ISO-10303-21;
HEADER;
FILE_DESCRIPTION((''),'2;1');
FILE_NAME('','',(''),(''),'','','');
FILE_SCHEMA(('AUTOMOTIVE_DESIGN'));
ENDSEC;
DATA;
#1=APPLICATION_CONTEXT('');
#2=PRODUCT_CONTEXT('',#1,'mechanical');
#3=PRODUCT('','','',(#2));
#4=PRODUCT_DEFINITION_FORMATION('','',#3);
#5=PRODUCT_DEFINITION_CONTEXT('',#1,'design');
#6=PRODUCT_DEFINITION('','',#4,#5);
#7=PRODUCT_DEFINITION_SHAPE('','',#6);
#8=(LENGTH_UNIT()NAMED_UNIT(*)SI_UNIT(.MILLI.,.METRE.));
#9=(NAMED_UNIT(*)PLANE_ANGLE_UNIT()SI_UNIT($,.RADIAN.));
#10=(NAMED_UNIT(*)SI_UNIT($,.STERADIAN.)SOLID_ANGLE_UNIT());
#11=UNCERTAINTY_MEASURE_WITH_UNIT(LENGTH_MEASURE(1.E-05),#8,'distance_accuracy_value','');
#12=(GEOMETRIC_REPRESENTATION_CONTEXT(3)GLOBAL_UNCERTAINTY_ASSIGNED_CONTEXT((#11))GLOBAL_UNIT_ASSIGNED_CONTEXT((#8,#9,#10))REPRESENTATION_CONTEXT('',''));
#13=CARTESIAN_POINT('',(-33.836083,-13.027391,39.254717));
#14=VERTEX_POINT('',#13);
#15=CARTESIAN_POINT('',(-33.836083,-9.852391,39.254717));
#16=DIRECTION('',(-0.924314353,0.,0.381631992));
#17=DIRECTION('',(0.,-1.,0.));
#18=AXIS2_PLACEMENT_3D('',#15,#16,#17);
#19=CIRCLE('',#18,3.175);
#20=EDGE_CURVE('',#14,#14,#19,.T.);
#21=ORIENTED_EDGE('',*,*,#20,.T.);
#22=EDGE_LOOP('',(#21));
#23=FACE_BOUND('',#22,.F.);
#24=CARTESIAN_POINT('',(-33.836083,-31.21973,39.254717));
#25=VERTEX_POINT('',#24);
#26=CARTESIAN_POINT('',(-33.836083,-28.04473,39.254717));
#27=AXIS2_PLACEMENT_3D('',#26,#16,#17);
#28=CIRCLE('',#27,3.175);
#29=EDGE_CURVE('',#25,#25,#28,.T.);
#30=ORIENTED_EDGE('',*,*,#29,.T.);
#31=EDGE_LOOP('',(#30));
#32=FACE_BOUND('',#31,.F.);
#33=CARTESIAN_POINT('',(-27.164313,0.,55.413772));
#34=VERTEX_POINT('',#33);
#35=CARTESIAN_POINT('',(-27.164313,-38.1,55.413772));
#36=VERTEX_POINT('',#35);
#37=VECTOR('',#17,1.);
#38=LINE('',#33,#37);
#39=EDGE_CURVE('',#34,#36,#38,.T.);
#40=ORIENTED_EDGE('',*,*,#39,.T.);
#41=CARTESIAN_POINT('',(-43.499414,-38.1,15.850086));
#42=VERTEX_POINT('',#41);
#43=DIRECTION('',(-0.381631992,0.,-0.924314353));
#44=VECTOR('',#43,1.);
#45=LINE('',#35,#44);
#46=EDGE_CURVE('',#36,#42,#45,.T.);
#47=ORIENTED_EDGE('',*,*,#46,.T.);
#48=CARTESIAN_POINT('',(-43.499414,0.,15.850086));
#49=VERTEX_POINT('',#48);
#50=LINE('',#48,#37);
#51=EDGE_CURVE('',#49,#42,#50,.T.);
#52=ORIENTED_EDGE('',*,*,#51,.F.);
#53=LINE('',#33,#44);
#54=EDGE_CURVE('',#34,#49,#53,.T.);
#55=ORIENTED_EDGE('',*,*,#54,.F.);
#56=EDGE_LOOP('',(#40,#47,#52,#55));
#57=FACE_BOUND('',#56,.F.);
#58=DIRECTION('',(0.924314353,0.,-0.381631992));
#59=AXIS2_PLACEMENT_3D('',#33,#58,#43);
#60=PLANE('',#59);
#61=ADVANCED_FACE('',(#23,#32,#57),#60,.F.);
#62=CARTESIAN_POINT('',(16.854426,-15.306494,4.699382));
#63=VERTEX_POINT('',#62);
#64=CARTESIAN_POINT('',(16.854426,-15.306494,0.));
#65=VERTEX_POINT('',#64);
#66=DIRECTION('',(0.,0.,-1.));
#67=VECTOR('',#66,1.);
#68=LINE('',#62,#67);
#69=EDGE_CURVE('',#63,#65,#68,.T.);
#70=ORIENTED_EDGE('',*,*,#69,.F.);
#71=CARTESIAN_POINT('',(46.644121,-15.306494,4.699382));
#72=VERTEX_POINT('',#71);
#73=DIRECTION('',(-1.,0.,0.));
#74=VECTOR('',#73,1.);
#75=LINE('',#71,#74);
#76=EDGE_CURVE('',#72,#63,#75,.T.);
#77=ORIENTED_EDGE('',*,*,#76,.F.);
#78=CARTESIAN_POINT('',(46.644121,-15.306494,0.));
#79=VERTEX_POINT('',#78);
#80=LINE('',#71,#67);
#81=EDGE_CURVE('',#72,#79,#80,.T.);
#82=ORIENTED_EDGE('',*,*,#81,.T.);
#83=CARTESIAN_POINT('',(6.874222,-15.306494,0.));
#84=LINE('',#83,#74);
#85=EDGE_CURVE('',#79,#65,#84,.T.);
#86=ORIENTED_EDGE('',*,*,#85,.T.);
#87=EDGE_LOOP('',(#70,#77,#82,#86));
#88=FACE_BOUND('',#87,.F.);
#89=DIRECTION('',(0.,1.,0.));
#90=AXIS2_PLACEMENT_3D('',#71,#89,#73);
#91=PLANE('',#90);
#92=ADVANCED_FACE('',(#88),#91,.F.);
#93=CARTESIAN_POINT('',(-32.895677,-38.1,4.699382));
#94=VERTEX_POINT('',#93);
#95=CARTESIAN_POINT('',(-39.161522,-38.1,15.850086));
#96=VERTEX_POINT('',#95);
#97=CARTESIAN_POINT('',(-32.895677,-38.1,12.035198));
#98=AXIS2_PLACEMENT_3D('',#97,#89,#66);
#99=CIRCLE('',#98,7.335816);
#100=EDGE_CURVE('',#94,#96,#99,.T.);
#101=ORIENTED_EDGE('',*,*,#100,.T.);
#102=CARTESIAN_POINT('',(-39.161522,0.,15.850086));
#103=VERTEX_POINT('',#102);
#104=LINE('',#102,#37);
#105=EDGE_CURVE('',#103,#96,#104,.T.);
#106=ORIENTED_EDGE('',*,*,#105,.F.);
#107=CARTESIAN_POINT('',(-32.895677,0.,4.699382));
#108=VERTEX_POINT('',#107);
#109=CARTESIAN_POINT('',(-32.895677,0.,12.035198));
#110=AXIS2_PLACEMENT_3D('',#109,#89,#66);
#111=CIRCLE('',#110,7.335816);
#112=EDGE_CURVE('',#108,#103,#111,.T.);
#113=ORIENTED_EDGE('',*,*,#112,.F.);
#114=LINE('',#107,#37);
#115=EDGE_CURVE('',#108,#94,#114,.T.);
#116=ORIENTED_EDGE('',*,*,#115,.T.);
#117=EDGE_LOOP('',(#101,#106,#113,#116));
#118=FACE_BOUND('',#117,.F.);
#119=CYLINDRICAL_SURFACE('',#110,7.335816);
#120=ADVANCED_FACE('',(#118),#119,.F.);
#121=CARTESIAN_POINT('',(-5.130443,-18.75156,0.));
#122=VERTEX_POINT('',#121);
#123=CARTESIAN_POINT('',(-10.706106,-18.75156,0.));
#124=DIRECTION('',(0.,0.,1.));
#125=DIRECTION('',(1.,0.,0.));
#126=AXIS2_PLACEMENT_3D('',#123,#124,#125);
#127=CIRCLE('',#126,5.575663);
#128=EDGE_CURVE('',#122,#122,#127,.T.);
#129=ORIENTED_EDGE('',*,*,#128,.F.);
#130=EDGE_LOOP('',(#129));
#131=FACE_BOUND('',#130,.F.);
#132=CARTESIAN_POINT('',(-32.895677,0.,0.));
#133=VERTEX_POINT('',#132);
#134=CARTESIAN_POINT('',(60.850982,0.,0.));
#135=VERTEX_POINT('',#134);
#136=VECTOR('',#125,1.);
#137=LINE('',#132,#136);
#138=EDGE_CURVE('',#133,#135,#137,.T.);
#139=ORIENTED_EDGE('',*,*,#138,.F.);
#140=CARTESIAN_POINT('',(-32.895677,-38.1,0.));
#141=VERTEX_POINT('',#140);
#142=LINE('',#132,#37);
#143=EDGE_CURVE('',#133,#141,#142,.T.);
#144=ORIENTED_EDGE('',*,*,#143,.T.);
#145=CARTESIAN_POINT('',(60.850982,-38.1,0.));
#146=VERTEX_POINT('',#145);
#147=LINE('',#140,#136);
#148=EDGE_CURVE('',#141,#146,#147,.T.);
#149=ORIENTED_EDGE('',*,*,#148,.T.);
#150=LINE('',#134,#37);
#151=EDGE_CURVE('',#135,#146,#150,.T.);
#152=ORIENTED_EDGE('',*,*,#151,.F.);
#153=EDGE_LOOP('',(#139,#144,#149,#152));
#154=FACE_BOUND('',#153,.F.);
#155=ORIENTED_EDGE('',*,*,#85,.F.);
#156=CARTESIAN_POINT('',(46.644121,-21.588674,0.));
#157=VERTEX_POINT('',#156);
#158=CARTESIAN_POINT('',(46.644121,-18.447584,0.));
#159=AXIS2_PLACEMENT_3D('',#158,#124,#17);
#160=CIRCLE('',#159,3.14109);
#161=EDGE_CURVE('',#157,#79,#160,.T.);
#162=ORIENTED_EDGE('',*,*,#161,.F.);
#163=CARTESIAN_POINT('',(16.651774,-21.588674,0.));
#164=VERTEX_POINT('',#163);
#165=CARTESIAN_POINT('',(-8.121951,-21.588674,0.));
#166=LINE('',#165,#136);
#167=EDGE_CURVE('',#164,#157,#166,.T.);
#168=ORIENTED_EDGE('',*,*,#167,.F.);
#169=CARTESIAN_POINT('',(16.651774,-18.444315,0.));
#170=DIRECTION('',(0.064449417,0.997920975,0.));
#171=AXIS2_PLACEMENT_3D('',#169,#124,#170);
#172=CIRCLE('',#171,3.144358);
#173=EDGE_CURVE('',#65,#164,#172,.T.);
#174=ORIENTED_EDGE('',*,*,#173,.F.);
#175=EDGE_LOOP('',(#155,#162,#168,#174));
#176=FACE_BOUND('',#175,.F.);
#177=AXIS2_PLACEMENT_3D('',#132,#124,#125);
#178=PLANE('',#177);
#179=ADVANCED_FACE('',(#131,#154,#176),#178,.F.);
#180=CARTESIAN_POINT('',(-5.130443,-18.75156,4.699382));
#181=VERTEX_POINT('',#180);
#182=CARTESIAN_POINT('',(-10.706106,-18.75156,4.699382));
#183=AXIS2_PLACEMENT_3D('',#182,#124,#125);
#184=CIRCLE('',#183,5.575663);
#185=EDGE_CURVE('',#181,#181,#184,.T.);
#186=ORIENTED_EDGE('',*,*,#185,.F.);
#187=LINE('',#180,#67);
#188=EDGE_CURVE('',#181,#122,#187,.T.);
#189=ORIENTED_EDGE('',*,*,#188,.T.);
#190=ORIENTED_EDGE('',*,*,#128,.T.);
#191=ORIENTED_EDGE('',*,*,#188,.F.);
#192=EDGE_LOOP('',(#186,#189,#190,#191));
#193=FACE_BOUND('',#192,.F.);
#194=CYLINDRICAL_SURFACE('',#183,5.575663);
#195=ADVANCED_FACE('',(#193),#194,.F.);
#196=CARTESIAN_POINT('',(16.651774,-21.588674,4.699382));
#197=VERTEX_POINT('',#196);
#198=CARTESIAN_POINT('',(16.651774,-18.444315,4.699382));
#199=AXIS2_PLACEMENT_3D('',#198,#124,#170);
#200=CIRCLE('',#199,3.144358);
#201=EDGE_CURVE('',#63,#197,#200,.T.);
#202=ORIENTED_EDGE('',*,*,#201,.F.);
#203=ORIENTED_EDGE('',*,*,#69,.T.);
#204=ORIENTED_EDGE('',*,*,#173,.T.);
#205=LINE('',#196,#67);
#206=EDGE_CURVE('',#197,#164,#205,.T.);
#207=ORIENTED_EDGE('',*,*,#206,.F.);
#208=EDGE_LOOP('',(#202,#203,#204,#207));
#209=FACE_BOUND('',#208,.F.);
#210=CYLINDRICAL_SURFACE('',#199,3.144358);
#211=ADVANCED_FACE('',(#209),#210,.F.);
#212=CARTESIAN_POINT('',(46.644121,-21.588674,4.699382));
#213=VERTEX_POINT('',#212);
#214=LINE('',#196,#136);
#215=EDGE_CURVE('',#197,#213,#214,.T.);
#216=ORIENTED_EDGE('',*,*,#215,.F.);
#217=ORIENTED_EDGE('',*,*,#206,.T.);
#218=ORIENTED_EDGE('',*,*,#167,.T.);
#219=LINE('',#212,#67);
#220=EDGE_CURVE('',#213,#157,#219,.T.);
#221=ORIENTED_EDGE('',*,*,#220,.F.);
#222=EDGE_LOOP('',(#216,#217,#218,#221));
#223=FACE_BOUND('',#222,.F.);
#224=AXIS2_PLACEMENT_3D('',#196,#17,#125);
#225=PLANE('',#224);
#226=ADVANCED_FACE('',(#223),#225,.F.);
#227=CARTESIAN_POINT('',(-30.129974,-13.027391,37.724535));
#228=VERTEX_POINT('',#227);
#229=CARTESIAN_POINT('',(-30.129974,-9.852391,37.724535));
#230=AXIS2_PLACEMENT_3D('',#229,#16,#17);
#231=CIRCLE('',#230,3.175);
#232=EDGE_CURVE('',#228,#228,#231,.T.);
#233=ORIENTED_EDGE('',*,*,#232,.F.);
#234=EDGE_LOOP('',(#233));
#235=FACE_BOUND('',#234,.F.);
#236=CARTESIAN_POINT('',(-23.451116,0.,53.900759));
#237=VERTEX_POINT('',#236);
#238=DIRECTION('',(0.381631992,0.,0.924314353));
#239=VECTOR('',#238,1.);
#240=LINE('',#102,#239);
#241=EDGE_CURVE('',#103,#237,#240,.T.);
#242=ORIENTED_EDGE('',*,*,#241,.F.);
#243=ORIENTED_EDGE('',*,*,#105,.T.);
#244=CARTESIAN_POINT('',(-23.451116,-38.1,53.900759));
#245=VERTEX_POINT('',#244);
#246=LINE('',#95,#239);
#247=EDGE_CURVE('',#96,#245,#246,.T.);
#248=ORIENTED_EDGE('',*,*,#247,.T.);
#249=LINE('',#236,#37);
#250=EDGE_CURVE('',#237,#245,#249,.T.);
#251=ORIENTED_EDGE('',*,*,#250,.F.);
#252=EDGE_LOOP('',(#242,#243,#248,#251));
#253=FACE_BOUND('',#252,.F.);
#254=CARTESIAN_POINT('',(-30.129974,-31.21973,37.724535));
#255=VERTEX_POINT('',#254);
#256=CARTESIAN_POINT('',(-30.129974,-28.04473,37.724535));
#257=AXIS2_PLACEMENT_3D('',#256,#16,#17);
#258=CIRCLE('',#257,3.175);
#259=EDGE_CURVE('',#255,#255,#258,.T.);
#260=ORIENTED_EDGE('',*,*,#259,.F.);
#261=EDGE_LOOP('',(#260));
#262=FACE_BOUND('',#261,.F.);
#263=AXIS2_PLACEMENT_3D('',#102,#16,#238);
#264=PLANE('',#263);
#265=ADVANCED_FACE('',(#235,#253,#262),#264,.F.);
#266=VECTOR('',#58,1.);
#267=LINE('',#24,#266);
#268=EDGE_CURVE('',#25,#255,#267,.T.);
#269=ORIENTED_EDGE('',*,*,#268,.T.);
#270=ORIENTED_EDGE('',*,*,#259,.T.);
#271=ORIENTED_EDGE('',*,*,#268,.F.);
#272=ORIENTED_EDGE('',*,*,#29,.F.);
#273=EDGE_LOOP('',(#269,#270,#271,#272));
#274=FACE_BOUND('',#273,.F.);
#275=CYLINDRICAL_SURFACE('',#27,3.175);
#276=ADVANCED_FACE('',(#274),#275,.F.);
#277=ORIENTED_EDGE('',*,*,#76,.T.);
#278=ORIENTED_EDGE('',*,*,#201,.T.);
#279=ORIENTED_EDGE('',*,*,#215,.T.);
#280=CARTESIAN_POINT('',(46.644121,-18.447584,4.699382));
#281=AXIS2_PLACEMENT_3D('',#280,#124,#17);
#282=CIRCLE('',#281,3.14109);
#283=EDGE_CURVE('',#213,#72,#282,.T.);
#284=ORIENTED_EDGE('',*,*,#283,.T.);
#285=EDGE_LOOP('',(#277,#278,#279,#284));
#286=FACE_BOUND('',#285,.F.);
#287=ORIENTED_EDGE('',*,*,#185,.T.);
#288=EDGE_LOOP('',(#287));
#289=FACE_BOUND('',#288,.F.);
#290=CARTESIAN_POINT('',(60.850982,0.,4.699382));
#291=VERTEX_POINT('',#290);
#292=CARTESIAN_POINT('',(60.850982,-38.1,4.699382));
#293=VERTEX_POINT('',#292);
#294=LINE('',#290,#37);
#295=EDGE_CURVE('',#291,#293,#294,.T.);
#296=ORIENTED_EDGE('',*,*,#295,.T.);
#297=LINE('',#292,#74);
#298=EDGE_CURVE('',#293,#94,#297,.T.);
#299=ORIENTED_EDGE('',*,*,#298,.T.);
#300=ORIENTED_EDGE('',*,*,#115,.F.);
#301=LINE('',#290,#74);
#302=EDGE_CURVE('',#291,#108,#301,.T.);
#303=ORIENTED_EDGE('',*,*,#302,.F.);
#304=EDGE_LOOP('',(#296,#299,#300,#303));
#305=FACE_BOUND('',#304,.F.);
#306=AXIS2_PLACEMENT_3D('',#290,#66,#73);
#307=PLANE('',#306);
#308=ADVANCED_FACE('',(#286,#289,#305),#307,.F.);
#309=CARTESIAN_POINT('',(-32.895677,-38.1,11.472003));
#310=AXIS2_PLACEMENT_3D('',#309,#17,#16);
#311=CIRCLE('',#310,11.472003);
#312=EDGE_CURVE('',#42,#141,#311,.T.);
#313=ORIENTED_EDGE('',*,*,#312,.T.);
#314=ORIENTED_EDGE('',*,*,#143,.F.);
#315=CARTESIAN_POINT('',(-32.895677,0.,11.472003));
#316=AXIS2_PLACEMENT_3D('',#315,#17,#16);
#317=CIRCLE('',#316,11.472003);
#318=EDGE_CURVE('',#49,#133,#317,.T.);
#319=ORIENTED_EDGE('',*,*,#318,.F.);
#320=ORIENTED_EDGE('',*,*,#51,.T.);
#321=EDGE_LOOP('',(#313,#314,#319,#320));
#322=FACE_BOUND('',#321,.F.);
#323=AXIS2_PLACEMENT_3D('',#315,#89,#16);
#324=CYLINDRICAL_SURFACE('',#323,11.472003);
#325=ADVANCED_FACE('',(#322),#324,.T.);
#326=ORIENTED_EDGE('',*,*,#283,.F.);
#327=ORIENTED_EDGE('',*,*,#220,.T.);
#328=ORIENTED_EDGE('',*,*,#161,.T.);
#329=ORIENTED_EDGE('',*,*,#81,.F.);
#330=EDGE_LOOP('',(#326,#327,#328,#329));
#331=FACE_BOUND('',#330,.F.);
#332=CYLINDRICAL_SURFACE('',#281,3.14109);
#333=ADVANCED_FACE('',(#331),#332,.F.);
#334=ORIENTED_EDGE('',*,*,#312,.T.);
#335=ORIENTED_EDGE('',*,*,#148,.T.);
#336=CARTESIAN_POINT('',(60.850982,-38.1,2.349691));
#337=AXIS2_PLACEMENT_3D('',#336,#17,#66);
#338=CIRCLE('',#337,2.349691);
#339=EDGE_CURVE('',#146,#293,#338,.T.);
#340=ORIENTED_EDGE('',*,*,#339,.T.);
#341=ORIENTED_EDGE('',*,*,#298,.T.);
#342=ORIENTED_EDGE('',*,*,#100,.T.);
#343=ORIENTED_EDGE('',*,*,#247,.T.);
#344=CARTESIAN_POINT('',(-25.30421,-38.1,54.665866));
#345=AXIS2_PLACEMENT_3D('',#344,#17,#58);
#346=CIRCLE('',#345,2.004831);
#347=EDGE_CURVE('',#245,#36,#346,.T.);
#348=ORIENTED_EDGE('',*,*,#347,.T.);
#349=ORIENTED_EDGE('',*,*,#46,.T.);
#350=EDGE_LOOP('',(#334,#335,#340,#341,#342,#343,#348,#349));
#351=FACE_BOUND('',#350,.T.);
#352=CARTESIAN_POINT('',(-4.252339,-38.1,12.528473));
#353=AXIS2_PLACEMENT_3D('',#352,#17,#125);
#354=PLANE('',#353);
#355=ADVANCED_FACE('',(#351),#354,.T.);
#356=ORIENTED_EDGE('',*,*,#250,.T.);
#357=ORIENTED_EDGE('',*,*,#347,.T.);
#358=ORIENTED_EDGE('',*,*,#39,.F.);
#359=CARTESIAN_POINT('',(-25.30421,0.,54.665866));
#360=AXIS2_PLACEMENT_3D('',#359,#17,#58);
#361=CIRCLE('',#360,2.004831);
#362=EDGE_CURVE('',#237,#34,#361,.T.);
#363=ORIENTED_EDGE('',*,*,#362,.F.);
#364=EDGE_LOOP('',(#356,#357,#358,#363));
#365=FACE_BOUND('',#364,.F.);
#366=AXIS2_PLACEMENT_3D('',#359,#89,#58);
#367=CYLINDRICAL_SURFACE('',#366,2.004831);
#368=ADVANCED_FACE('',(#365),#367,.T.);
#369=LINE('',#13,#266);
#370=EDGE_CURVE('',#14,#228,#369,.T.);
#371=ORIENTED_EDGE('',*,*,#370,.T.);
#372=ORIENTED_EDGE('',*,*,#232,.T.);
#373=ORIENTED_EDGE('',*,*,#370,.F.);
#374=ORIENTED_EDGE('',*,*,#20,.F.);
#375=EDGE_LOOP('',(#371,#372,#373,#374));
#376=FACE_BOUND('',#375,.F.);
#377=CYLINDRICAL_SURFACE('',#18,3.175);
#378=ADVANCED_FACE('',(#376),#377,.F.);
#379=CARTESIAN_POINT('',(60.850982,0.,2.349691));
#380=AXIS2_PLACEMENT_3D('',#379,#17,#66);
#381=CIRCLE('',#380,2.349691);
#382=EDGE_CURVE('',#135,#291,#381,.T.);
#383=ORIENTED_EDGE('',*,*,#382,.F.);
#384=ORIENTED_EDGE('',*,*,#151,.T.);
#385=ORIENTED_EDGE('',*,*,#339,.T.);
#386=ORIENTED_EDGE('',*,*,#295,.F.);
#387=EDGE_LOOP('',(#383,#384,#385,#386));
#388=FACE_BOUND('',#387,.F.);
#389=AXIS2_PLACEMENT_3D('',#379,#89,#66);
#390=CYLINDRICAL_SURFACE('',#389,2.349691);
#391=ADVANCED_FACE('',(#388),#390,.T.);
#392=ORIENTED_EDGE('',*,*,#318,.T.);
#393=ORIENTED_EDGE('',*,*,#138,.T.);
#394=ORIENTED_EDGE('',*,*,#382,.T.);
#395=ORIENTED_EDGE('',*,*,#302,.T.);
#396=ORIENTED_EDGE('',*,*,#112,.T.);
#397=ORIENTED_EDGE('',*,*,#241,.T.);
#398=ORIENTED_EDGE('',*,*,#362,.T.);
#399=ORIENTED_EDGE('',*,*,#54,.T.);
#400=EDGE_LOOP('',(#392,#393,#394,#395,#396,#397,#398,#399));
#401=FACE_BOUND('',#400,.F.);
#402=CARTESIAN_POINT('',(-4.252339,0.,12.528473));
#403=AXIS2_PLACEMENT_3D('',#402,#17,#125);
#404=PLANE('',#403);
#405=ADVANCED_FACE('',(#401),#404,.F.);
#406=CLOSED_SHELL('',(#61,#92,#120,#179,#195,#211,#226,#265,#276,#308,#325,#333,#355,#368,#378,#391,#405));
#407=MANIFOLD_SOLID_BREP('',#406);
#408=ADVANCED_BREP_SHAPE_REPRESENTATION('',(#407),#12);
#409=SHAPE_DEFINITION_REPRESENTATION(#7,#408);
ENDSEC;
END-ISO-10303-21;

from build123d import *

# Parameters (mm, degrees)
F1_DEPTH = 38.1
F2_R     = 5.5756630796
F3_DEPTH = 25.4
F4_R     = 3.175
F5_DEPTH = 25.4


with BuildPart() as f1:
    # F0 (on Front) → F1 (new body)
    with BuildSketch(Plane.XZ):
        with BuildLine():
            Line((-32.8956767917, 0), (60.8509816229, 0))
            ThreePointArc((60.8509816229, 0), (63.2006728556, 2.3496912327), (60.8509816229, 4.6993824653))
            Line((60.8509816229, 4.6993824653), (-32.8956767917, 4.6993824653))
            ThreePointArc((-32.8956767917, 4.6993824653), (-39.2909683128, 8.4415319313), (-39.1615219414, 15.8500864396))
            Line((-39.1615219414, 15.8500864396), (-23.4511158537, 53.9007586853))
            ThreePointArc((-23.4511158537, 53.9007586853), (-24.5476949895, 56.5224848042), (-27.1643130178, 55.4137721553))
            Line((-27.1643130178, 55.4137721553), (-43.4994138777, 15.8500864396))
            ThreePointArc((-43.4994138777, 15.8500864396), (-42.43067129, 5.0930741417), (-32.8956767917, 0))
        make_face()
    extrude(amount=F1_DEPTH)

    # F2 (on face) → F3 (cut)
    with BuildSketch(Plane.XY.offset(4.6993824653)):
        with Locations((-10.7061062008, -18.751559779)):
            Circle(F2_R)
        with BuildLine():
            Line((46.6441214085, -15.3064941987), (16.8544258922, -15.3064941987))
            ThreePointArc((16.8544258922, -15.3064941987), (13.5090501422, -18.3429366679), (16.6517738253, -21.5886738151))
            Line((16.6517738253, -21.5886738151), (46.6441214085, -21.5886738151))
            ThreePointArc((46.6441214085, -21.5886738151), (49.7852112167, -18.4475840069), (46.6441214085, -15.3064941987))
        make_face()
    extrude(amount=-F3_DEPTH, mode=Mode.SUBTRACT)

    # F4 (on face) → F5 (cut)
    with BuildSketch(Plane(origin=(-42.7551148795, 0, 17.6527818681), x_dir=(0, -1, 0), z_dir=(-0.9243143528, 0, 0.3816319917))):
        with Locations((9.8523907273, 23.3707670122)):
            Circle(F4_R)
        with Locations((28.044729707, 23.3707670122)):
            Circle(F4_R)
    extrude(amount=-F5_DEPTH, mode=Mode.SUBTRACT)


solid = f1.part
